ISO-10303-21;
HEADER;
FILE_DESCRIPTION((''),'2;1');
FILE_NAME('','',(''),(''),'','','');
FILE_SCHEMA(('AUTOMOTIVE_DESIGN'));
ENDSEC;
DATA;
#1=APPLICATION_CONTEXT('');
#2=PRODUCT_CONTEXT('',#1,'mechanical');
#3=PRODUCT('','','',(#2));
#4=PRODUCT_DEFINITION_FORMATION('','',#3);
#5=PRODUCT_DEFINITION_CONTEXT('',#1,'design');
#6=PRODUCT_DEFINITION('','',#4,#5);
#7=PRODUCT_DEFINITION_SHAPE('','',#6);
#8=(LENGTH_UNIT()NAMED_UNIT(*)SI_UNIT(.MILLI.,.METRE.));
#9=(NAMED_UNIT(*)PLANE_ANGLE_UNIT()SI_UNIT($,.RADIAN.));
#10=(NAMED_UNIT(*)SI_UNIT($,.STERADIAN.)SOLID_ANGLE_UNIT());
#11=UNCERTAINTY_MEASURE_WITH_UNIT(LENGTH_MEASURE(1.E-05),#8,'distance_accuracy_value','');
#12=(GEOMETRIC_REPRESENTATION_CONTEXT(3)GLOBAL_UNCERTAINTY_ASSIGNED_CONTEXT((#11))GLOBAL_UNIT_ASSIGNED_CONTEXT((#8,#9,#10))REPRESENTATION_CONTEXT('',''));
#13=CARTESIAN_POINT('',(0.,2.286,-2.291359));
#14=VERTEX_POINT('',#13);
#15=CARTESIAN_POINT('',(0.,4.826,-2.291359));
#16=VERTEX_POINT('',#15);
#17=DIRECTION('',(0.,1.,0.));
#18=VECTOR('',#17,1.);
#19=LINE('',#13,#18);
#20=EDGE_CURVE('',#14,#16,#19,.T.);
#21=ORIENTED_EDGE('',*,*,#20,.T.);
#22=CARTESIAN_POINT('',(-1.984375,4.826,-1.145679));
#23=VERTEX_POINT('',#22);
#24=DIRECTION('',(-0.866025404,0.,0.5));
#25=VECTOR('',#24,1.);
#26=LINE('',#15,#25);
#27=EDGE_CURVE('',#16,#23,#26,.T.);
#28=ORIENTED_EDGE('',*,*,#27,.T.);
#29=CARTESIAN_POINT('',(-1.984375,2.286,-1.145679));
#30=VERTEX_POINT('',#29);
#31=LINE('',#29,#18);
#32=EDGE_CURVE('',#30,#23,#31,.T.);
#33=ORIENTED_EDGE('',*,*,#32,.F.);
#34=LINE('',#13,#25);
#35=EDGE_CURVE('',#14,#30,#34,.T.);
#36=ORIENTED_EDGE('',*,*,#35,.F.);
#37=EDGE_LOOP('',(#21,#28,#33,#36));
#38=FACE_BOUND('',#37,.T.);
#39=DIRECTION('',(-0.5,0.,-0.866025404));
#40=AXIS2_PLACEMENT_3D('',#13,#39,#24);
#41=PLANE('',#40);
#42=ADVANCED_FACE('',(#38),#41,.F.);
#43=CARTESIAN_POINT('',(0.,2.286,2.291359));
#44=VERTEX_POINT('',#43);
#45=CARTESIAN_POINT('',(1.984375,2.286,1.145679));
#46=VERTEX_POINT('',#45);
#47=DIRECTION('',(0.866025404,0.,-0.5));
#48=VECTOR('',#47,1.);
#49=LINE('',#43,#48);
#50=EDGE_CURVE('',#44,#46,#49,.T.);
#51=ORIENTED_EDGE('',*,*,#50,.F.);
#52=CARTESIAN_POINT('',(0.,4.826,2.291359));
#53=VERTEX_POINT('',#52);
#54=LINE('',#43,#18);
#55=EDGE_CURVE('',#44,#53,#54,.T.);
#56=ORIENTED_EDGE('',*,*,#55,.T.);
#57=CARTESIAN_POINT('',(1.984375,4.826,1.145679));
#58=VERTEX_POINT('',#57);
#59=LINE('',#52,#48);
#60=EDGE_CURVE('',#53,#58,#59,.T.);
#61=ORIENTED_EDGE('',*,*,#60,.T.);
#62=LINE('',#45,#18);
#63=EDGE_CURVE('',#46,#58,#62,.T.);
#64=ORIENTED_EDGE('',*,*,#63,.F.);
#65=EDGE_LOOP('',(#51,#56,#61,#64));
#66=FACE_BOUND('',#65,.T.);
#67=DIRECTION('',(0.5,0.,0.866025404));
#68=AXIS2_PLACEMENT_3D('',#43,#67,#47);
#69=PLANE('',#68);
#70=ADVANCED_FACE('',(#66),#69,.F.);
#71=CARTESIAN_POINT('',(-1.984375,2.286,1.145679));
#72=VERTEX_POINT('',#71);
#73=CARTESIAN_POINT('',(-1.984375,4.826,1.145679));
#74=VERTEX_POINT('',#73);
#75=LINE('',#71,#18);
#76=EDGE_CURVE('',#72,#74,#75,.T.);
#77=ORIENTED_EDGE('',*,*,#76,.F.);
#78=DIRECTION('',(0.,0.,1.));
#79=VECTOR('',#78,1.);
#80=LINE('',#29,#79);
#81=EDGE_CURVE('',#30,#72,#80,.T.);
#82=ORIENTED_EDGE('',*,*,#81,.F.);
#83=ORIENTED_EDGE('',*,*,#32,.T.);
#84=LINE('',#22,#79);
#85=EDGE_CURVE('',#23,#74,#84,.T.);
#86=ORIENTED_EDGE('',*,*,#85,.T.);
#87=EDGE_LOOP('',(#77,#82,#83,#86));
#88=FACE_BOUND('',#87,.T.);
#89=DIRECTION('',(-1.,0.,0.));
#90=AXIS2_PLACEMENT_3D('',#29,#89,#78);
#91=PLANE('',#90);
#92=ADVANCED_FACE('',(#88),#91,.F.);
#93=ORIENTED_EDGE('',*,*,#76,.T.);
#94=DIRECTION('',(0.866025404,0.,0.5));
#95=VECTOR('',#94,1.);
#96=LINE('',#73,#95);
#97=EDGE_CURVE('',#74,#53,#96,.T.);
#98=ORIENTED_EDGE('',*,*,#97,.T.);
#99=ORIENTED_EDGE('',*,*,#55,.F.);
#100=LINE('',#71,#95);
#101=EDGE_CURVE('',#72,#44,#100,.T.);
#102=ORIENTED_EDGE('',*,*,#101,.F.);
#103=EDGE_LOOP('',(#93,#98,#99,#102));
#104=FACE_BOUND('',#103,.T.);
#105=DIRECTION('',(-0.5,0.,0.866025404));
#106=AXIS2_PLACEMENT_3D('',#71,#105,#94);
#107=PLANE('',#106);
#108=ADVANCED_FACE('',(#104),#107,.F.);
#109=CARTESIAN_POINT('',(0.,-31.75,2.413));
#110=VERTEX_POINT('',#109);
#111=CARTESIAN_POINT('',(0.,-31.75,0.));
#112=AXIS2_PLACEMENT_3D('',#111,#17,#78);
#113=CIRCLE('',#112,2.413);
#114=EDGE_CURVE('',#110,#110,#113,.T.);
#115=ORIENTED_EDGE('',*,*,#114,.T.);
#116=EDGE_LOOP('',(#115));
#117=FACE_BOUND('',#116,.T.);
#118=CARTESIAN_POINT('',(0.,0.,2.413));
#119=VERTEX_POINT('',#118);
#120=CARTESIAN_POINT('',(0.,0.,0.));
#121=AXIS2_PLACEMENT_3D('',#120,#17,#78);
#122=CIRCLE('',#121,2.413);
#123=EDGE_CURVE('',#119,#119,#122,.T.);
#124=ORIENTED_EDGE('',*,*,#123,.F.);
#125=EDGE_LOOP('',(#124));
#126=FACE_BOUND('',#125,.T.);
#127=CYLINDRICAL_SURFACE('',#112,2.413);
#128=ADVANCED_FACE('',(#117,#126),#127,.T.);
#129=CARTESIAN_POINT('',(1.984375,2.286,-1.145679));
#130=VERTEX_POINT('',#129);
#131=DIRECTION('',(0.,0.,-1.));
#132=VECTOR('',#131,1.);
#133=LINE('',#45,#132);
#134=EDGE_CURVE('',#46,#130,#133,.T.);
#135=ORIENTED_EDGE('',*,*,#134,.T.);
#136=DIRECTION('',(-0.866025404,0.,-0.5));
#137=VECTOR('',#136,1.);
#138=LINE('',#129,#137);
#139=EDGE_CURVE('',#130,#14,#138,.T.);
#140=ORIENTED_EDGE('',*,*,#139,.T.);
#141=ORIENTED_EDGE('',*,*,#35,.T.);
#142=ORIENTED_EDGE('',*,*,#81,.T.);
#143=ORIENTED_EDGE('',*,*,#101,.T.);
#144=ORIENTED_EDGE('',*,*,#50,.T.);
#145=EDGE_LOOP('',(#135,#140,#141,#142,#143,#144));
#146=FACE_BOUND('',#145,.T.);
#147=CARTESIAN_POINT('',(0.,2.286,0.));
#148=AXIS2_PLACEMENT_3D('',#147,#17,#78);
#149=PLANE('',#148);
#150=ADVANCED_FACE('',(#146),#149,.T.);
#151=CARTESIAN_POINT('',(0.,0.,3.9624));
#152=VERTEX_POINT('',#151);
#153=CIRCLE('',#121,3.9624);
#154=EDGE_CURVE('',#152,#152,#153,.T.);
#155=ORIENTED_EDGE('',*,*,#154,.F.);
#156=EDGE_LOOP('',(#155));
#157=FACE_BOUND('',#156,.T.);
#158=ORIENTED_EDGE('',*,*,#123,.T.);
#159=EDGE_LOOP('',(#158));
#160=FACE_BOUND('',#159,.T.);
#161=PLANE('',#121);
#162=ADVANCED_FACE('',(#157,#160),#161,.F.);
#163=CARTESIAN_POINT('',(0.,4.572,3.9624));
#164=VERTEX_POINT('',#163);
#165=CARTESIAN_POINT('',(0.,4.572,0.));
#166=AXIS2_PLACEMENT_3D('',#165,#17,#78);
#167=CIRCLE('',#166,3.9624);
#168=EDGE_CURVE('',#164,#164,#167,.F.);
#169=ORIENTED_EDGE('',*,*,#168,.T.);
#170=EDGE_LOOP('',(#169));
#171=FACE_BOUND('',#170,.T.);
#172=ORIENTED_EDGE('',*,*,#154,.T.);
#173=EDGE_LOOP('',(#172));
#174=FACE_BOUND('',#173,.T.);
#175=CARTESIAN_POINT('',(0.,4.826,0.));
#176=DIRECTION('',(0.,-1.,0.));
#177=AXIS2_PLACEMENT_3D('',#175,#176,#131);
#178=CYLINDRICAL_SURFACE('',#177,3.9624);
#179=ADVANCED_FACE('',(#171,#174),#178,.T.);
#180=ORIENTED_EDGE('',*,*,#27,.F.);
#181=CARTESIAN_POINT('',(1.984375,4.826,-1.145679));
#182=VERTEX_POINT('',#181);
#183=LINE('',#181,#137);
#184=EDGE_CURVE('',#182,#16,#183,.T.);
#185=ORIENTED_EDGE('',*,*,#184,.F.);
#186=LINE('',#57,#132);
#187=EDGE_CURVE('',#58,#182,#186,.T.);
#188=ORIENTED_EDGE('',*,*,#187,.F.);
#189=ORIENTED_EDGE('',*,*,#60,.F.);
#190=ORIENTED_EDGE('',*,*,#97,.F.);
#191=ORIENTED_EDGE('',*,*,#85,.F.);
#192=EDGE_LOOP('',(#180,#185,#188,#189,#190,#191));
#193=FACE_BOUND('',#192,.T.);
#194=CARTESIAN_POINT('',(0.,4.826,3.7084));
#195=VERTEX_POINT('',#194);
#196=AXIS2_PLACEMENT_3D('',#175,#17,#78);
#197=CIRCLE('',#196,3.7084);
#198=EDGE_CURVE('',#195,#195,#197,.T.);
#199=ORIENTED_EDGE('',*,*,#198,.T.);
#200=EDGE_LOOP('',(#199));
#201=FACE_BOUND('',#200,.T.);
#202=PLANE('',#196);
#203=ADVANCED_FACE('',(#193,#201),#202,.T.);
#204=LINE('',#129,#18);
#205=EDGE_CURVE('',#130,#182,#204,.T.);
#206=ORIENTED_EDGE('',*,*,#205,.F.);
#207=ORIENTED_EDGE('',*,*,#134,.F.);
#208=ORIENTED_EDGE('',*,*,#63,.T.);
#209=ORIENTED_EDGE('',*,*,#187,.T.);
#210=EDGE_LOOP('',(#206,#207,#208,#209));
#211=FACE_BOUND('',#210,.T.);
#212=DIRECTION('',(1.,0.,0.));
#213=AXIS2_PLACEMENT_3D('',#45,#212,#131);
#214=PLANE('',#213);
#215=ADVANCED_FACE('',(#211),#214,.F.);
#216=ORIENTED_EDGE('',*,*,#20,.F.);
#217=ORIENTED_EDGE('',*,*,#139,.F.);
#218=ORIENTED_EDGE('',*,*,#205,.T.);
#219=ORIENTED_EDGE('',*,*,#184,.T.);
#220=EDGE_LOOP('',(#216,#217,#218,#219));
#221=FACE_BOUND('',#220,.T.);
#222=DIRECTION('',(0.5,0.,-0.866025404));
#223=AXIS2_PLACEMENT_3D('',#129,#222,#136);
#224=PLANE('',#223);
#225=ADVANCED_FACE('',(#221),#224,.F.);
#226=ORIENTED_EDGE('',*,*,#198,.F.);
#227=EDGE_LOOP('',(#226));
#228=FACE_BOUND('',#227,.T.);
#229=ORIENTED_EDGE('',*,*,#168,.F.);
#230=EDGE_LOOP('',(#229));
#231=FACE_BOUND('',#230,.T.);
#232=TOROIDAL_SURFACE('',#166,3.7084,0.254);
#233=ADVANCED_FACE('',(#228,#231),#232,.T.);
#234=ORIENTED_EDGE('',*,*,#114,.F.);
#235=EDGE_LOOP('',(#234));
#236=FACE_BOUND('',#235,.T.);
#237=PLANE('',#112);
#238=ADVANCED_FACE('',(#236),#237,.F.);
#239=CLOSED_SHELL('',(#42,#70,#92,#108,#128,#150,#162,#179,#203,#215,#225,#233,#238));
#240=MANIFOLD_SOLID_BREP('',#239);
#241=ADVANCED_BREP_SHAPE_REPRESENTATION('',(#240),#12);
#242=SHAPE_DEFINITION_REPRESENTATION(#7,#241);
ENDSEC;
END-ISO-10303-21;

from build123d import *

# Parameters (mm, degrees)
SKETCH1_R   = 2.413
SHAFT_DEPTH = 31.75
SKETCH2_R   = 3.9624
HEAD_DEPTH  = 4.826
FILLET1_R   = 0.254
HEX_2_DEPTH = 2.54


with BuildPart() as part:
    # Sketch1 → Shaft (new body)
    with BuildSketch(Plane(origin=(0, 0, 0), x_dir=(1, 0, 0), z_dir=(0, 1, 0))):
        with Locations(Location((0, 0, 0), (0, 0, 270))):
            Circle(SKETCH1_R)
    extrude(amount=-SHAFT_DEPTH)

    # Sketch2 → Head (add)
    with BuildSketch(Plane(origin=(0, 0, 0), x_dir=(1, 0, 0), z_dir=(0, 1, 0))):
        with Locations(Location((0, 0, 0), (0, 0, 270))):
            Circle(SKETCH2_R)
    extrude(amount=HEAD_DEPTH)

    # Fillet1
    fillet1_edges = [part.edges().sort_by_distance(p)[0] for p in [
        (0, 4.826, -3.9624),
    ]]
    fillet(fillet1_edges, radius=FILLET1_R)

    # Sketch3 → Hex 2 (cut)
    with BuildSketch(Plane(origin=(0, 4.826, 0), x_dir=(1, 0, 0), z_dir=(0, 1, 0))):
        Polygon((0, 2.291358881), (-1.984375, 1.14567944), (-1.984375, -1.14567944), (0, -2.291358881), (1.984375, -1.14567944), (1.984375, 1.14567944), align=None)
    extrude(amount=-HEX_2_DEPTH, mode=Mode.SUBTRACT)


solid = part.part
